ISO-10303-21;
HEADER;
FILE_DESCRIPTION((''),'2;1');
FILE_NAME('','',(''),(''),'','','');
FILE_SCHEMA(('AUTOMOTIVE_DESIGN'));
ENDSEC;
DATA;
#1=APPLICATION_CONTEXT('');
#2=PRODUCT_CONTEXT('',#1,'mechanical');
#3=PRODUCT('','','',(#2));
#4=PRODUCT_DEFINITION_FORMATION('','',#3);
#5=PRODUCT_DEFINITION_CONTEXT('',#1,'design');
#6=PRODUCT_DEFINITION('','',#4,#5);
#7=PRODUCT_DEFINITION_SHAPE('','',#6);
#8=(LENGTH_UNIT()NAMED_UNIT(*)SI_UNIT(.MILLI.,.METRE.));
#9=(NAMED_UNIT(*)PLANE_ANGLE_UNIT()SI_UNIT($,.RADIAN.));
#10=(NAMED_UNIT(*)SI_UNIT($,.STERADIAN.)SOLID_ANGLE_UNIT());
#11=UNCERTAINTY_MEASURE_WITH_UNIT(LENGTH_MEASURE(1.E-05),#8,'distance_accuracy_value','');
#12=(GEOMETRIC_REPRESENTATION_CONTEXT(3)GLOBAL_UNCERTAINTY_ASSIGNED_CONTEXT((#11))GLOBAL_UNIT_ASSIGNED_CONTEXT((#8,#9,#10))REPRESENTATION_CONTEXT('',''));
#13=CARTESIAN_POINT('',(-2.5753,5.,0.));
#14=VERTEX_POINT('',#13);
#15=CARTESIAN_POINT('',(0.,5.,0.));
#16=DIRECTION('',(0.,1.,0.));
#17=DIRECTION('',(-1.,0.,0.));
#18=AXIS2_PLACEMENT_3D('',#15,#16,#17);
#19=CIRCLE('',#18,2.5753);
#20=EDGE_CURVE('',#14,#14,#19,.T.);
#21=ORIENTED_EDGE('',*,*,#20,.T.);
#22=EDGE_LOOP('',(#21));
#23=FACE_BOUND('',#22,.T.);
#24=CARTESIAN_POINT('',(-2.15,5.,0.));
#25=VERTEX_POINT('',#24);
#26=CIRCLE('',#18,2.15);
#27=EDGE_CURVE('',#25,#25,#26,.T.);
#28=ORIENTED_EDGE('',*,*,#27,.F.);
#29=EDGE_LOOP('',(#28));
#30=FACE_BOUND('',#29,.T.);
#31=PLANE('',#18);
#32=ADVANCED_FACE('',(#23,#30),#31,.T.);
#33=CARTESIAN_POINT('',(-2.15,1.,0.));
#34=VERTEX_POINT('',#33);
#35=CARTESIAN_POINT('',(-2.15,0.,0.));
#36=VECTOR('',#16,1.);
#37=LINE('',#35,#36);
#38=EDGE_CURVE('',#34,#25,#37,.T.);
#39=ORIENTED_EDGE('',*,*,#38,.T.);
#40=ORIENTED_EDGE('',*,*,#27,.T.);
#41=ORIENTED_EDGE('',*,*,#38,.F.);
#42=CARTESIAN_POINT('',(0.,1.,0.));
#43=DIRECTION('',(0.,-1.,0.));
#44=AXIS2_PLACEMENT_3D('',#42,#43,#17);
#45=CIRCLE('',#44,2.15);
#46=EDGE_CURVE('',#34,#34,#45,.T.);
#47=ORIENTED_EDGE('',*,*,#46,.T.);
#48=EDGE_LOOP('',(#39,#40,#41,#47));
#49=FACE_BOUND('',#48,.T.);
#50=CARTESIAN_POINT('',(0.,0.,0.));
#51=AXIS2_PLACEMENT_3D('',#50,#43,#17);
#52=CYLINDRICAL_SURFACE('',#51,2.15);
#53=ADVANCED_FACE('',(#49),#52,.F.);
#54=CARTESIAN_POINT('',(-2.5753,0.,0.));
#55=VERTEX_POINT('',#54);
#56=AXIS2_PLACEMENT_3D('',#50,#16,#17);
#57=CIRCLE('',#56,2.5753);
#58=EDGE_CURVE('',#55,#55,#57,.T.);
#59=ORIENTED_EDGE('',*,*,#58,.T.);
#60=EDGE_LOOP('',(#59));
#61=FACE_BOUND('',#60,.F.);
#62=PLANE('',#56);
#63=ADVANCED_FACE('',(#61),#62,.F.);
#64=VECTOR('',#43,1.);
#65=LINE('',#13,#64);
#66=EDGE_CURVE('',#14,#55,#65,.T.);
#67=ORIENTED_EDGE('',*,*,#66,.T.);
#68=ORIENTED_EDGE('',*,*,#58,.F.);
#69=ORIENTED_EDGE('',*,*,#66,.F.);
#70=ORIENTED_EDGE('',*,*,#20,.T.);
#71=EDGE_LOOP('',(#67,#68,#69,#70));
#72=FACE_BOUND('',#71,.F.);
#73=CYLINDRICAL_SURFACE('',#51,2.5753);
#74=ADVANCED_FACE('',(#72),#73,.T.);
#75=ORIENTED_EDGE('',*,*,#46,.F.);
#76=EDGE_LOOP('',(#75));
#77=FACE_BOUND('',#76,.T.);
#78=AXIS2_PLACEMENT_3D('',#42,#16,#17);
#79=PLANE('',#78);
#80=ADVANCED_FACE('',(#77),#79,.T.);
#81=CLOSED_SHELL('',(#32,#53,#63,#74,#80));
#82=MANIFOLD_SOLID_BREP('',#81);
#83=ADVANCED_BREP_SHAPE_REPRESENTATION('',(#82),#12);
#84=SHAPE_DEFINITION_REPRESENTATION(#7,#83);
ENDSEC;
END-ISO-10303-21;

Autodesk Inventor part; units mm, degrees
ref_plane "YZ Plane" through (0, 0, 0) normal (1, 0, 0) x (0, 1, 0)
ref_plane "XZ Plane" through (0, 0, 0) normal (0, 1, 0) x (-1, 0, 0)
ref_plane "XY Plane" through (0, 0, 0) normal (0, 0, 1) x (1, 0, 0)
sketch "Эскиз1" plane through (0, 0, 0) normal (0, 1, 0) x (-1, 0, 0)
  circle A0 centre (0, 0) radius 2.5753
  circle A1 centre (0, 0) radius 2.15
  dimension "d0" = 4.3
extrude "Выдавливание1" add sketch "Эскиз1" along normal blind 1 contours A0 | A1
extrude "Выдавливание2" add sketch "Эскиз1" along normal blind 5
properties part number "на винт для маркера"
